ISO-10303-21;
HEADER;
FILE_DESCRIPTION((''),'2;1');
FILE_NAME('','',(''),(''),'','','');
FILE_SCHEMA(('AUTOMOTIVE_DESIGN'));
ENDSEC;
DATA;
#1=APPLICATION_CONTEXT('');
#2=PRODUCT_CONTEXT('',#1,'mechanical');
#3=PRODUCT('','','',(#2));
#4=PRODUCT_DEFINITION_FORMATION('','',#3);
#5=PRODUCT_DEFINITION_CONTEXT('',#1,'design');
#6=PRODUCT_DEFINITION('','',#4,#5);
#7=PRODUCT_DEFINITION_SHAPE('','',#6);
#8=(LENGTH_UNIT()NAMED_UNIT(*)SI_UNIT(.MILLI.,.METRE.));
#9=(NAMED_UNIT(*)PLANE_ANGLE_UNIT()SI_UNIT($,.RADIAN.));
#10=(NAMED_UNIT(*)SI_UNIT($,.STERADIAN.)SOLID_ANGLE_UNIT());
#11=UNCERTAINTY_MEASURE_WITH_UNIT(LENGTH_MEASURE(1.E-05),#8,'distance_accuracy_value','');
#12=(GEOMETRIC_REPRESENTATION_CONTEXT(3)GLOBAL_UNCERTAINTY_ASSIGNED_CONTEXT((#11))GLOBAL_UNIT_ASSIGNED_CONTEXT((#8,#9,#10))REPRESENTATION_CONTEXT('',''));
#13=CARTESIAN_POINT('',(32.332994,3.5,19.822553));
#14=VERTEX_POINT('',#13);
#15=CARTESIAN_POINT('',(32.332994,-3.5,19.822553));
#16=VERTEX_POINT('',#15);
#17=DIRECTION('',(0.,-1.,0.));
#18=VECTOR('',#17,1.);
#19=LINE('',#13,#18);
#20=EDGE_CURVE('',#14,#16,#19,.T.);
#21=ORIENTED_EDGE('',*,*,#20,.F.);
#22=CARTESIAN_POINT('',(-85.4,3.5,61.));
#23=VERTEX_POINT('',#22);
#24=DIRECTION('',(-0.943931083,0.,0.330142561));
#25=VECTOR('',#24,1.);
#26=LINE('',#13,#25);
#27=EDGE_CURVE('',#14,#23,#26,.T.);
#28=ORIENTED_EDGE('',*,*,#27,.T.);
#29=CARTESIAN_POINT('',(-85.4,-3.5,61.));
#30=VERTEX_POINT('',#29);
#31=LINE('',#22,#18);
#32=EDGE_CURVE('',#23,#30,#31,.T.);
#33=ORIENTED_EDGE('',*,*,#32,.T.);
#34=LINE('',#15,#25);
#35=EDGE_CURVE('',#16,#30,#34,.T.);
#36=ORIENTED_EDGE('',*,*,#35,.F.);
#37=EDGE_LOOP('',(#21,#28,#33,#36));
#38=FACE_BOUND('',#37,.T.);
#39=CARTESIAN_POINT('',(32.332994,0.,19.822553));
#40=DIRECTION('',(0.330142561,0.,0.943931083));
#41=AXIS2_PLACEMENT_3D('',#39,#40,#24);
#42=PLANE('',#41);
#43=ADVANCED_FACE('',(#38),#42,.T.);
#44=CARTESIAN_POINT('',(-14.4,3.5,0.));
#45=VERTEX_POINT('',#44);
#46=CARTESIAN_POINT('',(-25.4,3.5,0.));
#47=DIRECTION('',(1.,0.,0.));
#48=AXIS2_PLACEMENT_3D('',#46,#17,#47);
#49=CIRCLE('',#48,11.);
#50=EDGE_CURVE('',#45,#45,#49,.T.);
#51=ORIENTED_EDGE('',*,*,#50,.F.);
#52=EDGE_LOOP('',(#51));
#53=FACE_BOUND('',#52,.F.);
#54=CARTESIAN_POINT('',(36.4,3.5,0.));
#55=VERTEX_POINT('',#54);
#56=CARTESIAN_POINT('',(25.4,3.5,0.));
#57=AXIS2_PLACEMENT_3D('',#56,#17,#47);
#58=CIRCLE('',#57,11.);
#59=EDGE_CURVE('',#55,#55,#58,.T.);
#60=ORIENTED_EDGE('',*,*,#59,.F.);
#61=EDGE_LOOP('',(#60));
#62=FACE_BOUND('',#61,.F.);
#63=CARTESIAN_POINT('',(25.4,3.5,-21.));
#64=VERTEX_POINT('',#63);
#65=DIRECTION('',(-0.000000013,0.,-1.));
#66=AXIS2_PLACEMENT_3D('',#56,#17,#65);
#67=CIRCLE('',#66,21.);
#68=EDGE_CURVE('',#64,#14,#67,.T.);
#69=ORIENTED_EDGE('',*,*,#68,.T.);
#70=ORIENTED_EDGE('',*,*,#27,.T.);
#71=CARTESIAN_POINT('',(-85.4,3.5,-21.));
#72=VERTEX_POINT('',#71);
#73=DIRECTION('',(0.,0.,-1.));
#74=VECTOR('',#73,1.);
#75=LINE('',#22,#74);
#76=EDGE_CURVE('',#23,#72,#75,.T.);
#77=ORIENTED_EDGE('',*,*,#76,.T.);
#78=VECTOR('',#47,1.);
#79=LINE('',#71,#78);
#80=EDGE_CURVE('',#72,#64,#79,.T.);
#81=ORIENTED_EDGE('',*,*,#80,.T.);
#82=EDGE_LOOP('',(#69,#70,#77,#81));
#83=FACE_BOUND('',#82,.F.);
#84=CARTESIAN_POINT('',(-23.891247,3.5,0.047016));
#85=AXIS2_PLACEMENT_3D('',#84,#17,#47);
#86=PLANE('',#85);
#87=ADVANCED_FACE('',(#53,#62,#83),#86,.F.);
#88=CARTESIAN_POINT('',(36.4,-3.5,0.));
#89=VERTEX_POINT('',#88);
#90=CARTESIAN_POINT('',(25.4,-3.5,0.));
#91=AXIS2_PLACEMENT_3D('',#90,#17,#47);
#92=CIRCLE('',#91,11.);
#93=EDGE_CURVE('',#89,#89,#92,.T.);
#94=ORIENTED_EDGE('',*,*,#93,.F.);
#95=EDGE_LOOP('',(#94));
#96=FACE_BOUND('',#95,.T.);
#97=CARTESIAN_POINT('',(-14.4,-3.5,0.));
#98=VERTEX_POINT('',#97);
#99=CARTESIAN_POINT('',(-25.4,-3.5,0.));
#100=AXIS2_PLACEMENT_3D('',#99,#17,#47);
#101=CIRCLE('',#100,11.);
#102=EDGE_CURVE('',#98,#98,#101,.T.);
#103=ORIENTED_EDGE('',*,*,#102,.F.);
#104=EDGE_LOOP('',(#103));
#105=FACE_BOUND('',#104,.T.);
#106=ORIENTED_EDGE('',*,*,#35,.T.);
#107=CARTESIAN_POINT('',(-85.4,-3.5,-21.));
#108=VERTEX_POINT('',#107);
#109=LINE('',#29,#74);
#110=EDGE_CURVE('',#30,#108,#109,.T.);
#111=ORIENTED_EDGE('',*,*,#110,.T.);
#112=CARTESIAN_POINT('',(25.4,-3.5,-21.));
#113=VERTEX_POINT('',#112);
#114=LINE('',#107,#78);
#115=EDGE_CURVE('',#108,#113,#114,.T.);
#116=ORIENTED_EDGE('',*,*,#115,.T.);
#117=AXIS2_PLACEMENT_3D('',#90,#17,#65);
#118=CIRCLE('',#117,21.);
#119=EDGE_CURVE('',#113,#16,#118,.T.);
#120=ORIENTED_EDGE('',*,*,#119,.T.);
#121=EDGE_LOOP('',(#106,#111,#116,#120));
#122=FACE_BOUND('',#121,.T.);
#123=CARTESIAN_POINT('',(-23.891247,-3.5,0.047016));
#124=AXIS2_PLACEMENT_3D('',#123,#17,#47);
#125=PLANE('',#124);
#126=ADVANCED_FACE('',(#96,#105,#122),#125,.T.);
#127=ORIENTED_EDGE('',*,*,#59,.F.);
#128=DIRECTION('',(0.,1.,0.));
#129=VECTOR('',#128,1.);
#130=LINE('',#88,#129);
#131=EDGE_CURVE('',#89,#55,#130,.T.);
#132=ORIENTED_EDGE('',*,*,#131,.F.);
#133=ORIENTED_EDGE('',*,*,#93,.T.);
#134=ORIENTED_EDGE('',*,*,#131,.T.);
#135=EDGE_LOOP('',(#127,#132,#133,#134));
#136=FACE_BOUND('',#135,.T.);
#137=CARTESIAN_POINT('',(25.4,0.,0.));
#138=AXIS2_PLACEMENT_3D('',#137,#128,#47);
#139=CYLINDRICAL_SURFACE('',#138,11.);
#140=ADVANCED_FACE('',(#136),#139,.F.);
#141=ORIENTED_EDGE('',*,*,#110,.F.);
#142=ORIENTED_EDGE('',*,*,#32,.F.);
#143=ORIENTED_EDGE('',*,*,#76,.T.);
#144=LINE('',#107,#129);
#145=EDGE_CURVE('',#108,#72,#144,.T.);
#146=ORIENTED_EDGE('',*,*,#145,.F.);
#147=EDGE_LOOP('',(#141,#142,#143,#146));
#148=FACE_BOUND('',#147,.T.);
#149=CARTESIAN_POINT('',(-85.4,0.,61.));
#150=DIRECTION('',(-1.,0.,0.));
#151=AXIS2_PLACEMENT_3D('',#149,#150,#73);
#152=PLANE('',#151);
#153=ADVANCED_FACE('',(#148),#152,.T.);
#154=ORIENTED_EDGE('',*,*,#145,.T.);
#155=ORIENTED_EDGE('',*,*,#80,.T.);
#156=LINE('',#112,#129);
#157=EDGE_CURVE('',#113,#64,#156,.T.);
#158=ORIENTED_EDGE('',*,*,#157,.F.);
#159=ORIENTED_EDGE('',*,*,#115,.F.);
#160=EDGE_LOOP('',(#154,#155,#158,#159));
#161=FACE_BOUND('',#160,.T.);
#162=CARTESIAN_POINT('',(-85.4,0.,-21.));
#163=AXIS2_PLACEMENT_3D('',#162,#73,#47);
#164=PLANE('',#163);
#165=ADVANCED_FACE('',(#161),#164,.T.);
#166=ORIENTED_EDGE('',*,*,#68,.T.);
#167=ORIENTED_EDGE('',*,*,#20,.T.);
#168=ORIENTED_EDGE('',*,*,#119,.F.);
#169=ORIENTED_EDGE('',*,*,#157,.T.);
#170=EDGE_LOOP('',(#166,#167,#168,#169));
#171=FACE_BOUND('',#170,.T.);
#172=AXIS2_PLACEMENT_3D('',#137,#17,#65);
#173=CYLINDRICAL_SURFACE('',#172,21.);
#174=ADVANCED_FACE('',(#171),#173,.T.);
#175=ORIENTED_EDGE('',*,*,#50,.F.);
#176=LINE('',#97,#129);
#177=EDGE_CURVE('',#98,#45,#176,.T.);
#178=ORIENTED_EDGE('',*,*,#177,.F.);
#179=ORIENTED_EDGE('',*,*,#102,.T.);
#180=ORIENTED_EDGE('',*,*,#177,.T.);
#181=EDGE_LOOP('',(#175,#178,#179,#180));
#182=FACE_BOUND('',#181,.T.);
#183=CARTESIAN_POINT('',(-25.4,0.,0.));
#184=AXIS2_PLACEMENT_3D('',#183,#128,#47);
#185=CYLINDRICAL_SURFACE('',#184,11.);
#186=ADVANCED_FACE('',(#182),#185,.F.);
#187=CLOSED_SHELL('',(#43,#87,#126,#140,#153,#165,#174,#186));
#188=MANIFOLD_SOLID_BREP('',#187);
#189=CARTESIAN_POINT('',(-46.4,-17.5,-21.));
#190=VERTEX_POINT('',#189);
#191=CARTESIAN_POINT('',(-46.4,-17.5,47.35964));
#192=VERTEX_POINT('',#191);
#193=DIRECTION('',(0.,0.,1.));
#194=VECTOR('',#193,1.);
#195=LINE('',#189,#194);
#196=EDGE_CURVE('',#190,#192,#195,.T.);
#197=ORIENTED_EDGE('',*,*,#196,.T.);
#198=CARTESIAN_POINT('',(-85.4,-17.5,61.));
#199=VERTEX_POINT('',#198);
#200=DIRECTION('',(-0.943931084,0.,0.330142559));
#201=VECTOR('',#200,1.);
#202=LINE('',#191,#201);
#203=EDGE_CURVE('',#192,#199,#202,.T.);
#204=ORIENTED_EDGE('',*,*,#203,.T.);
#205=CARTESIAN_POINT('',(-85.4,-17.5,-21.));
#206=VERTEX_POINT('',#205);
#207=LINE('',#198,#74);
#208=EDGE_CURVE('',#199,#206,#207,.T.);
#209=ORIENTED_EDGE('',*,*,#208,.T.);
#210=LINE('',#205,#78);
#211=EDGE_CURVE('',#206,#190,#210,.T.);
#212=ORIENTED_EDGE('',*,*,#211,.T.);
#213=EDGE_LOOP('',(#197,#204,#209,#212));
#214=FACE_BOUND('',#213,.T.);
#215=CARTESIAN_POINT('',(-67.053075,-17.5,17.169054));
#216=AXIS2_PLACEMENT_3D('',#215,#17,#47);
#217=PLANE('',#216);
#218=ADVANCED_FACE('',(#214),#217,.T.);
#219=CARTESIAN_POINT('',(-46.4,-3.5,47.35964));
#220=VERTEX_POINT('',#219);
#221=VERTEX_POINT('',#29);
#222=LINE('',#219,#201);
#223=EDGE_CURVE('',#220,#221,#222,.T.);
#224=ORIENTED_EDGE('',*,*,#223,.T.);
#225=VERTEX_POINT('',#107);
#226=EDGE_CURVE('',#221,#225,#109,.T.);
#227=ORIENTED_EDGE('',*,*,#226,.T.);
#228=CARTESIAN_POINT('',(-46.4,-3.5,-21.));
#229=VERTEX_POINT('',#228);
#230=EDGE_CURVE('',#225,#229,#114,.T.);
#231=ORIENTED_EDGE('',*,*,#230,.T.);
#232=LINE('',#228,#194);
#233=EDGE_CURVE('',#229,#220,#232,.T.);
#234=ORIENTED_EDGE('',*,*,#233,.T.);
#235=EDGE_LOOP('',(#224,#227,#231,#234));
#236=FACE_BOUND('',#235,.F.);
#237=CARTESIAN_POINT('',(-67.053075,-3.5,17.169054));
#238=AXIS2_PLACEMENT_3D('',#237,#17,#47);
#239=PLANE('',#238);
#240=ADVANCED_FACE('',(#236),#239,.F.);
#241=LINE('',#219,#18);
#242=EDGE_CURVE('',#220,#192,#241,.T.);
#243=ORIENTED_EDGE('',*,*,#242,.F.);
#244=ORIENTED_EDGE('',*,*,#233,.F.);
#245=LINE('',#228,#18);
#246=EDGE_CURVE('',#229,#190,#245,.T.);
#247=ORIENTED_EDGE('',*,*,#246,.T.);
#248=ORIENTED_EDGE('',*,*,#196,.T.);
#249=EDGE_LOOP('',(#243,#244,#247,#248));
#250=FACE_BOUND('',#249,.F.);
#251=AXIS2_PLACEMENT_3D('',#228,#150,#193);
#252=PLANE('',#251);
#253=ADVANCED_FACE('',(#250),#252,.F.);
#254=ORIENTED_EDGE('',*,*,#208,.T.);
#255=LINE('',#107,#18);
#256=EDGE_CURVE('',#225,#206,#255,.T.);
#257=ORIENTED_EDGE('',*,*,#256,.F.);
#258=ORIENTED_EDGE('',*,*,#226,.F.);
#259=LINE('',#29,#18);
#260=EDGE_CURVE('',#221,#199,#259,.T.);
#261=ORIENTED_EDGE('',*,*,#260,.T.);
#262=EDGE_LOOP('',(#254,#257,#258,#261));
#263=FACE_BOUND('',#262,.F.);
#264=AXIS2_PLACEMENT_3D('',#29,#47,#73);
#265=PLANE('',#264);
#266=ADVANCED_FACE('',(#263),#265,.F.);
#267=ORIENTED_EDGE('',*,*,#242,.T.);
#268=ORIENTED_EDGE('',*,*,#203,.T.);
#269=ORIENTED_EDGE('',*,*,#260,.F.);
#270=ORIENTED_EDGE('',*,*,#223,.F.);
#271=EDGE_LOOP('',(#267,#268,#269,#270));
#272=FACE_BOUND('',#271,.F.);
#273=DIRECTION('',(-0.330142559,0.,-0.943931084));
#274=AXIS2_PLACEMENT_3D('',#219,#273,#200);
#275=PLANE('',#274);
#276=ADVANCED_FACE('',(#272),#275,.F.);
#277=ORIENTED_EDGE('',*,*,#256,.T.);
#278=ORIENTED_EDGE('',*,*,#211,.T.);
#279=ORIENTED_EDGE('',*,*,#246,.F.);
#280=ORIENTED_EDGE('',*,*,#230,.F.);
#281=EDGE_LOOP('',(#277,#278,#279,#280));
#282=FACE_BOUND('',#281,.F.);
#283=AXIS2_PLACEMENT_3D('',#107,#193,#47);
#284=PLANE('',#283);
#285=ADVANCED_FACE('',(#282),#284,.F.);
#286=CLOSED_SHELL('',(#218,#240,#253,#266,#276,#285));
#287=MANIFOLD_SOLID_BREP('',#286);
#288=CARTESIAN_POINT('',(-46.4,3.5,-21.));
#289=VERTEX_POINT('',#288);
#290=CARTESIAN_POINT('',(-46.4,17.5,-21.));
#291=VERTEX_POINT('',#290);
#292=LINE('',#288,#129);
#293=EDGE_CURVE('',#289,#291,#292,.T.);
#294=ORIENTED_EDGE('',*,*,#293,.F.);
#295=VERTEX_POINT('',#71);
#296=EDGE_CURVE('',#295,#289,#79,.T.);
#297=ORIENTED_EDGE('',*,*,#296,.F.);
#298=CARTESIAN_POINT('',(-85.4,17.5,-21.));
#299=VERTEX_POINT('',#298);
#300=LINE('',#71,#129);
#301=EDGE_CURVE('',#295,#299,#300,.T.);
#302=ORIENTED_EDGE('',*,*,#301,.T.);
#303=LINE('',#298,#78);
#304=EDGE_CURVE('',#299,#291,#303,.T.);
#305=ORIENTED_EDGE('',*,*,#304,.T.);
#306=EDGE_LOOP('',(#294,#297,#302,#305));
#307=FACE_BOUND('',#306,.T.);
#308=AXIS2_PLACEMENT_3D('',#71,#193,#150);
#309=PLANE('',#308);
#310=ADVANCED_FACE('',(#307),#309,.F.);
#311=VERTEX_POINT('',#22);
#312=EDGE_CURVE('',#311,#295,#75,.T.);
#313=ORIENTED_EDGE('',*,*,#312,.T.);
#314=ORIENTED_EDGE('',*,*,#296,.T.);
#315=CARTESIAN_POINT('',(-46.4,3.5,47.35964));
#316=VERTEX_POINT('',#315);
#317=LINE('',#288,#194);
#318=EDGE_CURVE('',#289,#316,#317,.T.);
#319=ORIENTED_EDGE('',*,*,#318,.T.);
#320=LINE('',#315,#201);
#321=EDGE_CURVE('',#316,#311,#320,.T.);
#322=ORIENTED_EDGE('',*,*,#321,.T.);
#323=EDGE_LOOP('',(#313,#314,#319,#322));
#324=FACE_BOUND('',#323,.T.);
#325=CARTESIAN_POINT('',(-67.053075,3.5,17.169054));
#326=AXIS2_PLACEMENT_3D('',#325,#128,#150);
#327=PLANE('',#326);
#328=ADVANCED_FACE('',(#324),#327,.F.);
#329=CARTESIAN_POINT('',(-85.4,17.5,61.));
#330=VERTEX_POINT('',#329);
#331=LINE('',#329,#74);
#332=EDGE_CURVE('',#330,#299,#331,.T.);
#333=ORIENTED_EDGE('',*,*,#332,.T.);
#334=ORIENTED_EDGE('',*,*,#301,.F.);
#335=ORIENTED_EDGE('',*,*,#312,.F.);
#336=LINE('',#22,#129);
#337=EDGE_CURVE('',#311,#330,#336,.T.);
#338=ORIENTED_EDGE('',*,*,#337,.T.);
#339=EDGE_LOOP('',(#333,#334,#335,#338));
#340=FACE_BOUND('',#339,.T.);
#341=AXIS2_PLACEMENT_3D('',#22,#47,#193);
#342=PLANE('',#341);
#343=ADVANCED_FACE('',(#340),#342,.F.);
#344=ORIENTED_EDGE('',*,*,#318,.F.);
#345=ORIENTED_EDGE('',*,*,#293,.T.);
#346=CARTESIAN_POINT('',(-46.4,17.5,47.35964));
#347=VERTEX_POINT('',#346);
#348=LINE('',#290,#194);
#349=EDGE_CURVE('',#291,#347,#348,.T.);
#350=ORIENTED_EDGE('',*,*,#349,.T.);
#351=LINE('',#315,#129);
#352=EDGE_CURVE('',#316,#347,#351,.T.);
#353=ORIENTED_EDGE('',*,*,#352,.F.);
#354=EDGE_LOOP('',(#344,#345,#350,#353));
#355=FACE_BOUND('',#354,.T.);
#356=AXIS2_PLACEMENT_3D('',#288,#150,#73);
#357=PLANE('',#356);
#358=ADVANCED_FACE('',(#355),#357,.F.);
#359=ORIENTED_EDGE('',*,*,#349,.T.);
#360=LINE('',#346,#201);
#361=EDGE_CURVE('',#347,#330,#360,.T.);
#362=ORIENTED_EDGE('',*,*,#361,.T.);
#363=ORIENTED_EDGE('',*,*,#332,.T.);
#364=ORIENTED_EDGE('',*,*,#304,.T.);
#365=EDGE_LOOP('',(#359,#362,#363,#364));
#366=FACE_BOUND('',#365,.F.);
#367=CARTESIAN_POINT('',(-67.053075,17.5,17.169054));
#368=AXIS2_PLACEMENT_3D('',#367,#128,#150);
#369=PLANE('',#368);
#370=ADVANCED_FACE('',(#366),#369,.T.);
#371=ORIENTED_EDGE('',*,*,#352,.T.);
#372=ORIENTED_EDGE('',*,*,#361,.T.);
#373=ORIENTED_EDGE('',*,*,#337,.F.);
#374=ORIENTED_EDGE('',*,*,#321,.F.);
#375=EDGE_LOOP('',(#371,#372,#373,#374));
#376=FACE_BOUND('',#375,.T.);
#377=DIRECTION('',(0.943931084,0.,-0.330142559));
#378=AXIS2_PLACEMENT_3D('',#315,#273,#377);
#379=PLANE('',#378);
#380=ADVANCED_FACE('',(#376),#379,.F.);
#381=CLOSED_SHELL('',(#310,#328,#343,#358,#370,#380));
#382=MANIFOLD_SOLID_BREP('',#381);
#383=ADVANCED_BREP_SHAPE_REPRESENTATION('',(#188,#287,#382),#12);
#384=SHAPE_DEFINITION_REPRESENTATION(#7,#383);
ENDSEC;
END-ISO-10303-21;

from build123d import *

# Parameters (mm, degrees)
F0_R     = 11
F1_DEPTH = 3.5
F3_DEPTH = 14


with BuildPart() as f1:
    # F0 (on Front) → F1 (new body, symmetric)
    with BuildSketch(Plane.XZ):
        with BuildLine():
            ThreePointArc((32.332994, 19.822553), (28.916134, 20.703546), (25.4, 21))
            Line((25.4, 21), (-85.4, 21))
            Line((-85.4, 21), (-85.4, -21))
            Line((-85.4, -21), (25.4, -21))
            ThreePointArc((25.4, -21), (46.103546, -3.516134), (32.332994, 19.822553))
        make_face()
        with Locations((-25.4, 0)):
            Circle(F0_R, mode=Mode.SUBTRACT)
        with Locations((25.4, 0)):
            Circle(F0_R, mode=Mode.SUBTRACT)
        with BuildLine():
            Line((-85.4, 21), (25.4, 21))
            ThreePointArc((25.4, 21), (28.916134, 20.703546), (32.332994, 19.822553))
            Line((32.332994, 19.822553), (-85.4, 61))
            Line((-85.4, 61), (-85.4, 21))
        make_face()
    extrude(amount=F1_DEPTH, both=True)


with BuildPart() as f3:
    # F2 (on face) → F3 (new body)
    with BuildSketch(Plane.XZ.offset(3.5)):
        Polygon((-46.4, 47.35964), (-85.4, 61), (-85.4, -21), (-46.4, -21), align=None)
    extrude(amount=F3_DEPTH)


with BuildPart() as f4_1:
    # F4: instance of F3
    add(f3.part.mirror(Plane.XZ))


solid = Compound([f1.part, f3.part, f4_1.part])
